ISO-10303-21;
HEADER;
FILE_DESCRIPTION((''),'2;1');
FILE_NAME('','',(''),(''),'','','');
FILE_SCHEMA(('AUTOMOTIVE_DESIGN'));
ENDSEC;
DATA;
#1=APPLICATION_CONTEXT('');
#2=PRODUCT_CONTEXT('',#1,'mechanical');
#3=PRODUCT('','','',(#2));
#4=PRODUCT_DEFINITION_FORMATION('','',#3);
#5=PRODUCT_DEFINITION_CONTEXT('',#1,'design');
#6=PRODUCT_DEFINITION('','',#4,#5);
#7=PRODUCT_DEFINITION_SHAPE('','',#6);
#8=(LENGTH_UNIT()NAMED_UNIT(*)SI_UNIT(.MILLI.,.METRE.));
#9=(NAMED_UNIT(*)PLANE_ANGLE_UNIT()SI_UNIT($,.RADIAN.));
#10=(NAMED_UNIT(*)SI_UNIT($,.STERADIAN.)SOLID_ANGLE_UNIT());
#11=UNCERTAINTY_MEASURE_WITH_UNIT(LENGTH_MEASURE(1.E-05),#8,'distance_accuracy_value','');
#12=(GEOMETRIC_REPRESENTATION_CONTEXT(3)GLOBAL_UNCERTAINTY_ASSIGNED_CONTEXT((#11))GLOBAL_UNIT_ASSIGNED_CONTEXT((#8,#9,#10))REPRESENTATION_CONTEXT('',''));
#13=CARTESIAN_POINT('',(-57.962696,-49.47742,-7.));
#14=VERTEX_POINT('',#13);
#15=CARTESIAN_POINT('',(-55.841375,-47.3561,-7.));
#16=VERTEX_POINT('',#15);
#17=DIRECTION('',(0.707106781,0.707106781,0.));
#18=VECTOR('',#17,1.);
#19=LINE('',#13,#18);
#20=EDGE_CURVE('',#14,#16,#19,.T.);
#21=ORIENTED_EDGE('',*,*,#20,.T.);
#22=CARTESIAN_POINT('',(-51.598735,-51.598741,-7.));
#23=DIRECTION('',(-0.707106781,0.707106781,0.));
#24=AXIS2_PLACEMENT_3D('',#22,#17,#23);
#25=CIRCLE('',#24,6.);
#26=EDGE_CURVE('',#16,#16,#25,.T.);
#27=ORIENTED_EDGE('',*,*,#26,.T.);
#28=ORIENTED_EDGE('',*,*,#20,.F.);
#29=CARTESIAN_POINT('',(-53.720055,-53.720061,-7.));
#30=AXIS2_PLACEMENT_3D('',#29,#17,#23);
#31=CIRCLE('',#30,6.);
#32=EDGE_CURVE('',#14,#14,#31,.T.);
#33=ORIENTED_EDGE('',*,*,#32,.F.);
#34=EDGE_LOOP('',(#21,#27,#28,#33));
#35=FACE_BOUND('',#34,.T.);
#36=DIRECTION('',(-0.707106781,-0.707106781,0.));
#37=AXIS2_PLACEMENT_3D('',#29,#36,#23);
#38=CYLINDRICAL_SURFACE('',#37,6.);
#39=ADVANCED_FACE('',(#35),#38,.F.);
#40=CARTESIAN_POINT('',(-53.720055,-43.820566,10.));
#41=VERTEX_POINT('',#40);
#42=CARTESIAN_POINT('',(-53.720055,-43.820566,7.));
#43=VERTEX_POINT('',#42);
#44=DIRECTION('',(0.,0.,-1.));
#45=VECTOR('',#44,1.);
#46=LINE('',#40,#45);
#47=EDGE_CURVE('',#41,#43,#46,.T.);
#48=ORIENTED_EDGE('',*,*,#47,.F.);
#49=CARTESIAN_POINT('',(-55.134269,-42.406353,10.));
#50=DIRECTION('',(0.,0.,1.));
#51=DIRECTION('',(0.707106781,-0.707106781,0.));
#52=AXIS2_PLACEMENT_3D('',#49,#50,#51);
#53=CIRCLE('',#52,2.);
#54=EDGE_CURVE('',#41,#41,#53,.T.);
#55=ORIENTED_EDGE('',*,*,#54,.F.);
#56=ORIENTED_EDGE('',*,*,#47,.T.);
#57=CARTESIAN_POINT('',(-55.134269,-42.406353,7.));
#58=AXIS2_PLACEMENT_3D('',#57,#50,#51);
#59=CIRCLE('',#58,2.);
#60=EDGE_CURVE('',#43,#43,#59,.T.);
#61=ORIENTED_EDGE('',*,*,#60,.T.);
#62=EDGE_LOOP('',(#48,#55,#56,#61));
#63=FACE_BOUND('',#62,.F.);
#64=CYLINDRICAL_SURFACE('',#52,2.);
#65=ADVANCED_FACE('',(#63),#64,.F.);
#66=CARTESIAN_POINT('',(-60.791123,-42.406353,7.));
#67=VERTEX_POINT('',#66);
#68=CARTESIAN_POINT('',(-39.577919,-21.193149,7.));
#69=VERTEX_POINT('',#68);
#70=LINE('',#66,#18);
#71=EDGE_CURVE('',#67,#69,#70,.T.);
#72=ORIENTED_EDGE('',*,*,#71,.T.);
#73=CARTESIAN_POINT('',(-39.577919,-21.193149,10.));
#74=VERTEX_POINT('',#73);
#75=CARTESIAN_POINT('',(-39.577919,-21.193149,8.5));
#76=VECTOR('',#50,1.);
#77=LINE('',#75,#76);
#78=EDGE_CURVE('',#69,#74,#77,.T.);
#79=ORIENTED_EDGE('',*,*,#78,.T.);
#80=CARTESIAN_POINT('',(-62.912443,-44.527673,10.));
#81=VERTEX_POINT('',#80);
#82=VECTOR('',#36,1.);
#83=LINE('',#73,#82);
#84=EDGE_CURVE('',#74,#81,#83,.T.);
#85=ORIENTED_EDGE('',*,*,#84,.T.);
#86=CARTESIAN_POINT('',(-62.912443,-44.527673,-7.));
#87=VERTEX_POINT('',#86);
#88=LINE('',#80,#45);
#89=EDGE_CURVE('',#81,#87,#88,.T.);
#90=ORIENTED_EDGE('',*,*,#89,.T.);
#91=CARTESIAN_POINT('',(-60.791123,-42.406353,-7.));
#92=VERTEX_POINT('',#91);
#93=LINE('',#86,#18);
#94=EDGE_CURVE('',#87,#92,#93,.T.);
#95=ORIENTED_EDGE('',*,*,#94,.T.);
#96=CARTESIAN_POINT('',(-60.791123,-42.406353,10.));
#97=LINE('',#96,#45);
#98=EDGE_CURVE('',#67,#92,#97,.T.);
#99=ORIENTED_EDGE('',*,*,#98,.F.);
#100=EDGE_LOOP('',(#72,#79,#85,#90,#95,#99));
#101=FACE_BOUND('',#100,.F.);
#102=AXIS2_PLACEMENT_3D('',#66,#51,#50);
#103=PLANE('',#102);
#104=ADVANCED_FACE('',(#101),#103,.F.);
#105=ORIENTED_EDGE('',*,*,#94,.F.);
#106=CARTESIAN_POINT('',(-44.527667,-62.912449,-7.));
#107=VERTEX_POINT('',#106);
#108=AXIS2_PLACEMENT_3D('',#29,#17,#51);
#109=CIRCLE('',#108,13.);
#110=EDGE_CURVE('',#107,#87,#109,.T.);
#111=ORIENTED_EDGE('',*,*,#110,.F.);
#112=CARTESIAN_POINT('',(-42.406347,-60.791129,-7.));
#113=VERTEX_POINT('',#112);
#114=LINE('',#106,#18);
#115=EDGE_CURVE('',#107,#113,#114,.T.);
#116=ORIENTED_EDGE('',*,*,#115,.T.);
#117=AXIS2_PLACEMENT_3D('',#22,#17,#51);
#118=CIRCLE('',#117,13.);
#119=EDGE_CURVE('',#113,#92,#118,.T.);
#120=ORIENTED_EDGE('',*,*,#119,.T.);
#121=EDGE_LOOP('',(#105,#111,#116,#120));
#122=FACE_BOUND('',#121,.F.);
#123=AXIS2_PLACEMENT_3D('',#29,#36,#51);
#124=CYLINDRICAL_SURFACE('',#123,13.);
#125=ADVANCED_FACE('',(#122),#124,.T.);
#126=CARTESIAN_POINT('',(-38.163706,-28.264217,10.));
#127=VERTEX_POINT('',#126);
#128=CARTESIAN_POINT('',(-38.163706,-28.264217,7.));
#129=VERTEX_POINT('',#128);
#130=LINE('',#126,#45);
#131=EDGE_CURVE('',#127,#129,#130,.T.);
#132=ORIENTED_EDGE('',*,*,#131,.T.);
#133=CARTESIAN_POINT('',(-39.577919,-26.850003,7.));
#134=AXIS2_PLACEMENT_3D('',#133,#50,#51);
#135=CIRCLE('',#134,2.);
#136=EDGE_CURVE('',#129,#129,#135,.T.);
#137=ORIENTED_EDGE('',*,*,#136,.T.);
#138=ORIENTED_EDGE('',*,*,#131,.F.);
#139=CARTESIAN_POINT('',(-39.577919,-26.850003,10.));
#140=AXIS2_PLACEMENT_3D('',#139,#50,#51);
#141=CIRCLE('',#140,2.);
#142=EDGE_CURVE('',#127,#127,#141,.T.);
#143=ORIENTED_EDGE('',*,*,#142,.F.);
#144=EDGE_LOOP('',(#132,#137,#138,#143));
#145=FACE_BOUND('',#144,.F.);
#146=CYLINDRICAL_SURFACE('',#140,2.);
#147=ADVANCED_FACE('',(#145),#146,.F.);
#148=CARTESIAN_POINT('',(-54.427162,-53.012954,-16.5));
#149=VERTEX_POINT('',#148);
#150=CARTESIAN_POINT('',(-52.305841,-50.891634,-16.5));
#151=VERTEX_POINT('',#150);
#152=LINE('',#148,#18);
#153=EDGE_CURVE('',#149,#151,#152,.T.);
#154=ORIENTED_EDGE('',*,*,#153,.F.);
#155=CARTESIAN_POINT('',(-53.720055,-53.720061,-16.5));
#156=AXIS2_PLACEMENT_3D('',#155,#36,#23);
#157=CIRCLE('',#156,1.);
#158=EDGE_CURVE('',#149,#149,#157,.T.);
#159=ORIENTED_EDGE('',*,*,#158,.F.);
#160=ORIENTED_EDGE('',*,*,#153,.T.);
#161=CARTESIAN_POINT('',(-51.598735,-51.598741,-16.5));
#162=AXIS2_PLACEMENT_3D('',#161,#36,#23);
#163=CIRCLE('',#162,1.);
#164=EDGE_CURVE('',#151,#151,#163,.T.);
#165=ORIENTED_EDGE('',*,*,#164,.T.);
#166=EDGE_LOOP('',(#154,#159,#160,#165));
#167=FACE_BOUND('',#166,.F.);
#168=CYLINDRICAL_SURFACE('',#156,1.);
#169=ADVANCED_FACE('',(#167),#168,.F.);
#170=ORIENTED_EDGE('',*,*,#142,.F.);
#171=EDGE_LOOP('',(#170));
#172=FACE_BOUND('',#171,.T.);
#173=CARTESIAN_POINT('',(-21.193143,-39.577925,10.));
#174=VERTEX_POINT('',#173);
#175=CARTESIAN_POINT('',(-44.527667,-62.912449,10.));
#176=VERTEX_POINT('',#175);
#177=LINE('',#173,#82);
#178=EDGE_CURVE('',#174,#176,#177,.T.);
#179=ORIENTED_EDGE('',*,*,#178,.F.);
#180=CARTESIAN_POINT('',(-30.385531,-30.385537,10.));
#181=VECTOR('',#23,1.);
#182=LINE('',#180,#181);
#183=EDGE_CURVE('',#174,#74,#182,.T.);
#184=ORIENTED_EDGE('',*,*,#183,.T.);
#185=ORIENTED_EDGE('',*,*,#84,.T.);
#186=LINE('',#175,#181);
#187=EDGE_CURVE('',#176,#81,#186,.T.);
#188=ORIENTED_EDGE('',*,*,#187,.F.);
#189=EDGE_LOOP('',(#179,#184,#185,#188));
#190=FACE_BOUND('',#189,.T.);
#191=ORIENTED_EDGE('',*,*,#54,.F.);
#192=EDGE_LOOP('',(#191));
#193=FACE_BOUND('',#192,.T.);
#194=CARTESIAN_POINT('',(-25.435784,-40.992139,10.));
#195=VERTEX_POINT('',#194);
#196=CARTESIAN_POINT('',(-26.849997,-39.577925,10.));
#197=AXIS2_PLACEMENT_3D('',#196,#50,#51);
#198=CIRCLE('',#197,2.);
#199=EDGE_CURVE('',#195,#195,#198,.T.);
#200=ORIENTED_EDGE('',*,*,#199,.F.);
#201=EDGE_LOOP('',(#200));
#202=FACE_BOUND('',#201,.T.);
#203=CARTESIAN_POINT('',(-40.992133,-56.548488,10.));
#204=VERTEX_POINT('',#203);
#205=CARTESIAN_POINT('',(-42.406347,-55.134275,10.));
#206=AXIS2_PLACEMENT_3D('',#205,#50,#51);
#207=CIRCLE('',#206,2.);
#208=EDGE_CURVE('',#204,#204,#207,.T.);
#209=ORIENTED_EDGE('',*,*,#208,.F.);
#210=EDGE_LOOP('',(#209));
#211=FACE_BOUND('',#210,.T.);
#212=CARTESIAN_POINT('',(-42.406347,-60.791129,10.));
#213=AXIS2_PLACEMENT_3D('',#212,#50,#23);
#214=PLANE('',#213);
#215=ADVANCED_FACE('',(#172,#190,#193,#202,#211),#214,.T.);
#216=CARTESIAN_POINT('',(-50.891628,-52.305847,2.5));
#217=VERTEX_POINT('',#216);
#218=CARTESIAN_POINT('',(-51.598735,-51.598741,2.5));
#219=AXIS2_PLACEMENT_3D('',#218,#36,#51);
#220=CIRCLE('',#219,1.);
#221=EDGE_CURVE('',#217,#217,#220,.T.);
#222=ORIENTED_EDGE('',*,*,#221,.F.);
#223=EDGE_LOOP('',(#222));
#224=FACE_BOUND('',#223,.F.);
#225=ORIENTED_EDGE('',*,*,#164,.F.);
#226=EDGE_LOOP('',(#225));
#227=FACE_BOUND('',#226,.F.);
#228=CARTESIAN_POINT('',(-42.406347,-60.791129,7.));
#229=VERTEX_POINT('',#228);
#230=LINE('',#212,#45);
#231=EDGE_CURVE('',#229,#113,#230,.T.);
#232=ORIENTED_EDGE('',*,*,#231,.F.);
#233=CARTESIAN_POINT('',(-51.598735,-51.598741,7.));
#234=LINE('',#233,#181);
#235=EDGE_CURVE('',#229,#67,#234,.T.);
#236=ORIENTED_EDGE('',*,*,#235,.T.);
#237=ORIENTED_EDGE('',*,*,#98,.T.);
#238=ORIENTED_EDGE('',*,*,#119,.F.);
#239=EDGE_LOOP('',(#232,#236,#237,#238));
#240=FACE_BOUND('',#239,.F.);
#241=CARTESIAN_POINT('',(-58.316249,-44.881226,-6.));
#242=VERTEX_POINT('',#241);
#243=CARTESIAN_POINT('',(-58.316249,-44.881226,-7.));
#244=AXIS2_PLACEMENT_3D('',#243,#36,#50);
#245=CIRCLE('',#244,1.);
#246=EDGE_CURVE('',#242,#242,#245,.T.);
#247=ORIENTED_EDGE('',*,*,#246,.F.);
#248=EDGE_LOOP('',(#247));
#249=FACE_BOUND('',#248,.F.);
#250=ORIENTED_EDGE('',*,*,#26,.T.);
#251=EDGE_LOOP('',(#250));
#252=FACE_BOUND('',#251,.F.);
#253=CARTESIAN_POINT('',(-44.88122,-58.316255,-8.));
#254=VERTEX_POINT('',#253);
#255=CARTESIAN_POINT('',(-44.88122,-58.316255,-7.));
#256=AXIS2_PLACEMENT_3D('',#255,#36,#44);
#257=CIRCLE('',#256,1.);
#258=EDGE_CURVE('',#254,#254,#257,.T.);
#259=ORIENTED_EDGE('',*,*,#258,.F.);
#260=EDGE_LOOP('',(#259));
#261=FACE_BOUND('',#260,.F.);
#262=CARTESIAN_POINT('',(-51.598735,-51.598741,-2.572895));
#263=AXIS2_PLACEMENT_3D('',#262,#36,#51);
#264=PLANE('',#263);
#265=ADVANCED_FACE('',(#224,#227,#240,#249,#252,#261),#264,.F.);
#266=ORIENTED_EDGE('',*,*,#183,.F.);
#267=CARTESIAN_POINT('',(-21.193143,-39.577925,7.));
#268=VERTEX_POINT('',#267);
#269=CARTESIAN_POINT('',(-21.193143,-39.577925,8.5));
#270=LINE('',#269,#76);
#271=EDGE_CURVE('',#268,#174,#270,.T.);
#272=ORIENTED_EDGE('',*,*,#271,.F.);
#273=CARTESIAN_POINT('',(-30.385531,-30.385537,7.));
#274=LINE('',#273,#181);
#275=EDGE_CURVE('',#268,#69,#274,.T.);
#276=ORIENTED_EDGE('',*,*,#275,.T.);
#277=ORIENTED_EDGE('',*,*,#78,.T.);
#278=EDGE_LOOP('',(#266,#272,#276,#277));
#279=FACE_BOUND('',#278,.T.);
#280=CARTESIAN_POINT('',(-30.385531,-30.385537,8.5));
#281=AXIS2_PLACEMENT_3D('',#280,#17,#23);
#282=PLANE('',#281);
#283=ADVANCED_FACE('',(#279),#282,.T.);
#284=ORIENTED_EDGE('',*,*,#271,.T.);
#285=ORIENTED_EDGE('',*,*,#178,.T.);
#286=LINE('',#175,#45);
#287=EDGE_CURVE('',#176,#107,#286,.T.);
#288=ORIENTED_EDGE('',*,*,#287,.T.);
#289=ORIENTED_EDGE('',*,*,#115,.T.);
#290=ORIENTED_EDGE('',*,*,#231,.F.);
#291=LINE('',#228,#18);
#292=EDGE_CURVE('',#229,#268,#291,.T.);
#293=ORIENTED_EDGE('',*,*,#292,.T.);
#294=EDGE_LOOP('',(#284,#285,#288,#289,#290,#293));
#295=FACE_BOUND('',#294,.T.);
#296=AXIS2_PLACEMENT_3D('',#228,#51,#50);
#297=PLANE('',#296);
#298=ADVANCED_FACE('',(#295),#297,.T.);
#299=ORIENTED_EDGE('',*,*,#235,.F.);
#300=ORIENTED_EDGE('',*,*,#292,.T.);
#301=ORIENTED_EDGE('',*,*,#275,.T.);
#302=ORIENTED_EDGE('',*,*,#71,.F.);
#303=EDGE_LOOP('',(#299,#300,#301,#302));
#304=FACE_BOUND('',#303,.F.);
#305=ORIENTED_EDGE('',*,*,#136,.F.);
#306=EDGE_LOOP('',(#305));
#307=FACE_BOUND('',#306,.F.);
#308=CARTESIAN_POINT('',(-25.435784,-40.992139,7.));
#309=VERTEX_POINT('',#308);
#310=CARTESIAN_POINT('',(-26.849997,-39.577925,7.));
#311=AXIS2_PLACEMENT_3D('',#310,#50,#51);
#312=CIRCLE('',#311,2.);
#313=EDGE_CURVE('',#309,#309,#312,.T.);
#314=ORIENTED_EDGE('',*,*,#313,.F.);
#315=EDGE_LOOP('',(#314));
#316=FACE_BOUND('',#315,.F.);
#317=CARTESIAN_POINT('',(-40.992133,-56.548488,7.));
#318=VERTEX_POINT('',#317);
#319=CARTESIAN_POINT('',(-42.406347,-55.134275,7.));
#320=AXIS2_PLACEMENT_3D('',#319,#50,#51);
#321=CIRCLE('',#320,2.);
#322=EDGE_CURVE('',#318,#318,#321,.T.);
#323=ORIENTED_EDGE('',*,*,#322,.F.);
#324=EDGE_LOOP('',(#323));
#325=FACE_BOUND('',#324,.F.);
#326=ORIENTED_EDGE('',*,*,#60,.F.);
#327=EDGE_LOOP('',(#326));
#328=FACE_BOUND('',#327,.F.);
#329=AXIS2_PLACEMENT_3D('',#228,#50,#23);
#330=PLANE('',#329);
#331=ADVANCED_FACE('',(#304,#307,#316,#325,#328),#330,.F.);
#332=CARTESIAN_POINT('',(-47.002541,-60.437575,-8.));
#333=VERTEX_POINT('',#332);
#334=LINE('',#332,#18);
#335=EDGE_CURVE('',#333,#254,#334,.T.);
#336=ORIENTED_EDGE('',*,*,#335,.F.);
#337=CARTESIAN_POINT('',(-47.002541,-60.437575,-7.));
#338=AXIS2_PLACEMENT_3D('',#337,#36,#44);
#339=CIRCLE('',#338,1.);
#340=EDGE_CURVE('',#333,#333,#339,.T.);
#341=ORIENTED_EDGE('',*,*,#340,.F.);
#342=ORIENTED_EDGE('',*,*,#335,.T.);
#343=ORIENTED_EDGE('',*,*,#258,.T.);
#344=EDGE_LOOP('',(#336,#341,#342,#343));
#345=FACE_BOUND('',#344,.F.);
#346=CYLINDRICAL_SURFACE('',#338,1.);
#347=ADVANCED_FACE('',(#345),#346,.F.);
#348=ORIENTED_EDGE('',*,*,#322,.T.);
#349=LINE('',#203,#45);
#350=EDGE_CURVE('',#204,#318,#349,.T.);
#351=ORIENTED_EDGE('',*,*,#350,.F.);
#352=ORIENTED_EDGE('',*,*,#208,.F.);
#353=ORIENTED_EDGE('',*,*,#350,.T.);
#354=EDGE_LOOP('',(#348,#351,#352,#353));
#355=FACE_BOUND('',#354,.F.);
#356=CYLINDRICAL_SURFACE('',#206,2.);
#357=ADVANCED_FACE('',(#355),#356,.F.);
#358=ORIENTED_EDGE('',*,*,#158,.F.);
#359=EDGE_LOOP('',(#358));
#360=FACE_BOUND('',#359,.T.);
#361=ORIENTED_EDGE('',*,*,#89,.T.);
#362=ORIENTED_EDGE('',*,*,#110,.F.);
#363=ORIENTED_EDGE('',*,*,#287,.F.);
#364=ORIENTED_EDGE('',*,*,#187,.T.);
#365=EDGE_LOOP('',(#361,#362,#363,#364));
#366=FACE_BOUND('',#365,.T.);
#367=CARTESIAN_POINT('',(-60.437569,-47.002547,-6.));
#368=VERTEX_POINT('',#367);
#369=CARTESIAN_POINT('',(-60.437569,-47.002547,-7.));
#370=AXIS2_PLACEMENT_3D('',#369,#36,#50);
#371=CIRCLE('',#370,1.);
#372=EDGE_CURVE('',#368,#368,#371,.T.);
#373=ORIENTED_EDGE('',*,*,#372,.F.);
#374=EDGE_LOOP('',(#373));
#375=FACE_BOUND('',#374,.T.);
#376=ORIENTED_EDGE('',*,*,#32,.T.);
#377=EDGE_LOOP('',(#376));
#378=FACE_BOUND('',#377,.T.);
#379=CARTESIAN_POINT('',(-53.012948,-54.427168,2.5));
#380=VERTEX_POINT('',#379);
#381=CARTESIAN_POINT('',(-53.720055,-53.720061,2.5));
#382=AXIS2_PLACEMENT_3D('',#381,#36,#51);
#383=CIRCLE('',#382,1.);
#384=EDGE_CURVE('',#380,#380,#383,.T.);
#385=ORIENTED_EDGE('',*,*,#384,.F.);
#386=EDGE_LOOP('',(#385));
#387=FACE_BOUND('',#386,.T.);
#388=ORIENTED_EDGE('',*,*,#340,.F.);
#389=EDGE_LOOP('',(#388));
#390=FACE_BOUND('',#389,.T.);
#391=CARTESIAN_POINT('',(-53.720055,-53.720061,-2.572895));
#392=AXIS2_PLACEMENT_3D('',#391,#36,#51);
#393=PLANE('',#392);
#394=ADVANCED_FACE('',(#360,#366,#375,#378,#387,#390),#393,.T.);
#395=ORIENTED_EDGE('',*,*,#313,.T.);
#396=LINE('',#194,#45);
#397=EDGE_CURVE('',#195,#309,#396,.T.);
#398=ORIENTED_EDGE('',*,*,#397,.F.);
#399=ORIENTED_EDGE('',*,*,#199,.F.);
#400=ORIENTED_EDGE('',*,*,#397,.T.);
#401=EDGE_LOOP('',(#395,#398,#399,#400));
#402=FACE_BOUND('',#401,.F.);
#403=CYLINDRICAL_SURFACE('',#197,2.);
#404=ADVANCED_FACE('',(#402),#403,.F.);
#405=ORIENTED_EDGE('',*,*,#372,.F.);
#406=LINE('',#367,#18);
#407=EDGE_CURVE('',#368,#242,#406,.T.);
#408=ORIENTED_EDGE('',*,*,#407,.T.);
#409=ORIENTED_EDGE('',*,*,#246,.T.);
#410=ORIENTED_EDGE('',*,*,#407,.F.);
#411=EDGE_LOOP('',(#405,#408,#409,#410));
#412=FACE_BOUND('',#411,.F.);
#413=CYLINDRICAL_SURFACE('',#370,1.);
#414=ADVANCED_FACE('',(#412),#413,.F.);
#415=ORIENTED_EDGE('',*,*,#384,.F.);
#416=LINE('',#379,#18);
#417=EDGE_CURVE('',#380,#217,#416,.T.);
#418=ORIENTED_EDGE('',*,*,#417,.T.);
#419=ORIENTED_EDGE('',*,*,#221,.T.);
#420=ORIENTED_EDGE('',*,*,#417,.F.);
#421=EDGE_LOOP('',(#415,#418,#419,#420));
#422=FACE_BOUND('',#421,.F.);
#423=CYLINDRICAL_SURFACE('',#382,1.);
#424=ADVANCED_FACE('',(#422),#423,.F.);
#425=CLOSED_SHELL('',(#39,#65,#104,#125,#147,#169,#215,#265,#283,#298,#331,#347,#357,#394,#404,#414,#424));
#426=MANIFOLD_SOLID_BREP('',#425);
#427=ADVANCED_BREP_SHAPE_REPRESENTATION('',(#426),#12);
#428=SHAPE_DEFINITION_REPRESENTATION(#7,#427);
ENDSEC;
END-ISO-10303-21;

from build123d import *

# Parameters (mm, degrees)
SKETCH096_R             = 6
PAD068_DEPTH            = 3
SKETCH097_W             = 26
SKETCH097_H             = 3
PAD069_DEPTH            = 30
SKETCH098_R             = 2
POCKET036_DEPTH         = 30.001
SKETCH099_R             = 1
POCKET037_DEPTH         = 136.248276
POLARPATTERN015_COUNT   = 4
BODY041_PLACEMENT_ANGLE = 135


with BuildPart() as part:
    # Sketch096 → Pad068 (new body)
    with BuildSketch(Plane.XZ):
        with BuildLine():
            Line((-13, 17), (13, 17))
            Line((13, 17), (13, 0))
            ThreePointArc((-13, 0), (0, -13), (13, 0))
            Line((-13, 17), (-13, 0))
        make_face()
        Circle(SKETCH096_R, mode=Mode.SUBTRACT)
    extrude(amount=PAD068_DEPTH)

    # Sketch097 (on Face7 of Pad068) → Pad069 (join)
    with BuildSketch(Plane.XZ.offset(3)):
        with Locations((0, 15.5)):
            Rectangle(SKETCH097_W, SKETCH097_H)
    extrude(amount=PAD069_DEPTH)

    # Sketch098 (on Face5 of Pad069) → Pocket036 (cut, through all)
    with BuildSketch(Plane(origin=(0, 0, 17), x_dir=(-1, 0, 0), z_dir=(0, 0, 1))):
        with Locations((-9, 7)):
            Circle(SKETCH098_R)
        with Locations((9, 7)):
            Circle(SKETCH098_R)
        with Locations((-9, 29)):
            Circle(SKETCH098_R)
        with Locations((9, 29)):
            Circle(SKETCH098_R)
    extrude(amount=-POCKET036_DEPTH, mode=Mode.SUBTRACT)

    # Sketch099 (on Face4 of Pocket036) → Pocket037 (cut, through all)
    with BuildSketch(Plane(origin=(0, 0, 0), x_dir=(1, 0, 0), z_dir=(0, 1, 0))):
        with Locations((0, 9.5)):
            Circle(SKETCH099_R)
    pocket037 = extrude(amount=-POCKET037_DEPTH, mode=Mode.SUBTRACT)

    # PolarPattern015: Pocket037 ×4 about axis
    polarpattern015_axis = Axis((0, 0, 0), (0, 1, 0))
    for i in range(1, POLARPATTERN015_COUNT):
        add(pocket037.rotate(polarpattern015_axis, i * 360 / POLARPATTERN015_COUNT), mode=Mode.SUBTRACT)


with BuildPart() as part_1:
    # Body041 placement: moved
    add(part.part.moved(Location((-53.720055, -53.720061, -7))).rotate(Axis((-53.720055, -53.720061, -7), (0, 0, 1)), BODY041_PLACEMENT_ANGLE))


solid = part_1.part
